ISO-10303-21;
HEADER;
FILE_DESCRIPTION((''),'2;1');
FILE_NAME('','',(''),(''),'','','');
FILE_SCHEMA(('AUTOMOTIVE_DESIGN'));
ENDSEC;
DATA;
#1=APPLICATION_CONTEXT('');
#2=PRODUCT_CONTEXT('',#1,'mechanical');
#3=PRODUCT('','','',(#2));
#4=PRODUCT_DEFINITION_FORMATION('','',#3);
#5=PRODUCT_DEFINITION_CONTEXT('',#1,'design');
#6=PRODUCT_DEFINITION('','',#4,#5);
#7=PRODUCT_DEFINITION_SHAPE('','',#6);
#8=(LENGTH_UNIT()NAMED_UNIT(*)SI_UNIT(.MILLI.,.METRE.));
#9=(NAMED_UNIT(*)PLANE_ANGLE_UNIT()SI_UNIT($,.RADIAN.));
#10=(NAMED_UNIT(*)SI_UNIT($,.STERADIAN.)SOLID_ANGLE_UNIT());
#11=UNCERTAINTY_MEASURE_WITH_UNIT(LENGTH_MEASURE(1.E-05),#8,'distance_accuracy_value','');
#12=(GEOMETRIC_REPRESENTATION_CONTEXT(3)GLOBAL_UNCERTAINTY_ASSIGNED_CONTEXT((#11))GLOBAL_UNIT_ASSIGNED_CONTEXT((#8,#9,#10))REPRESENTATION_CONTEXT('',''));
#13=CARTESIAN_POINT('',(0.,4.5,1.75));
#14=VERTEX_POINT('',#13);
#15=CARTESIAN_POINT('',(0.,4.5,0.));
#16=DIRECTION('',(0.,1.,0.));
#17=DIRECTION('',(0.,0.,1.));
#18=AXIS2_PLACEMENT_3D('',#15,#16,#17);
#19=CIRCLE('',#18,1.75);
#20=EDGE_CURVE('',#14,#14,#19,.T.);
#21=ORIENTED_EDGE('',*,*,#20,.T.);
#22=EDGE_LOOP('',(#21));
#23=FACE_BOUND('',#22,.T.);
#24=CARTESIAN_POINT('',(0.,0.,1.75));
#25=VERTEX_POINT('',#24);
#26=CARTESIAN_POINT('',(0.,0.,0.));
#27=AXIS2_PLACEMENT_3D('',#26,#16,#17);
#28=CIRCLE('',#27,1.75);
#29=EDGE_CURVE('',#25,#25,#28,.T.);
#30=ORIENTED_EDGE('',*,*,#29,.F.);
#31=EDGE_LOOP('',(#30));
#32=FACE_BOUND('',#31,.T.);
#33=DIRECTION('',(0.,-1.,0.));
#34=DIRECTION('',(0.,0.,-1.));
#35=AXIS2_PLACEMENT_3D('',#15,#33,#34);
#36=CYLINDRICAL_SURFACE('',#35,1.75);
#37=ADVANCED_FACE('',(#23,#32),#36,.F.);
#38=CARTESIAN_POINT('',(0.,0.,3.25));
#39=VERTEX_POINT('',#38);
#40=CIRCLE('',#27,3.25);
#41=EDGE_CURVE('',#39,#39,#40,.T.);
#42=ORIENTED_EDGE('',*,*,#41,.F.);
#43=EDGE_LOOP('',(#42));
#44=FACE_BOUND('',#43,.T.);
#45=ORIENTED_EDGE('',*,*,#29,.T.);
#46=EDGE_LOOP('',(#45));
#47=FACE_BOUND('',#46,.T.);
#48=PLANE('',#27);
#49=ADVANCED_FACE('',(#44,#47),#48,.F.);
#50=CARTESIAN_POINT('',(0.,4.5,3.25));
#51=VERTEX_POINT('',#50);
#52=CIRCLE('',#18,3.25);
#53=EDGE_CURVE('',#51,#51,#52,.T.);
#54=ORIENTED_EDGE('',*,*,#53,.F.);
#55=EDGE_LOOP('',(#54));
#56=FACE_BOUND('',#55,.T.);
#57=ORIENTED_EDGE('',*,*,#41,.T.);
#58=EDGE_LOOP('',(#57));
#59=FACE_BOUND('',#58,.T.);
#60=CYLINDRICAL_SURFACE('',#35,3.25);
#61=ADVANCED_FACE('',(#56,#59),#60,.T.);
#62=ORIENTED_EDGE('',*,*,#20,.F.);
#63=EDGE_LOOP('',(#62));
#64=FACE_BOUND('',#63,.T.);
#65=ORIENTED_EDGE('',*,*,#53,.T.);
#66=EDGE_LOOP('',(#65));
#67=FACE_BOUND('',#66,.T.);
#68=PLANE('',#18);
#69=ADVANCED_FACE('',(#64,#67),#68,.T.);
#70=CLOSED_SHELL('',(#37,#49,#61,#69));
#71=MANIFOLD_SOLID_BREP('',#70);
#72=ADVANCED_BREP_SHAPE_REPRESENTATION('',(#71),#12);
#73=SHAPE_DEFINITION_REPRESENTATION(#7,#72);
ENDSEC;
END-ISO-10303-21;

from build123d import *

# Parameters (mm, degrees)
SKETCH_1_R      = 3.25
SKETCH_1_R_2    = 1.75
EXTRUDE_1_DEPTH = 4.5


with BuildPart() as part:
    # 草图1 → 凸台-拉伸1 (new body)
    with BuildSketch(Plane(origin=(0, 0, 0), x_dir=(1, 0, 0), z_dir=(0, 1, 0))):
        with Locations(Location((0, 0, 0), (0, 0, 270))):
            Circle(SKETCH_1_R)
        with Locations(Location((0, 0, 0), (0, 0, 270))):
            Circle(SKETCH_1_R_2, mode=Mode.SUBTRACT)
    extrude(amount=EXTRUDE_1_DEPTH)


solid = part.part
